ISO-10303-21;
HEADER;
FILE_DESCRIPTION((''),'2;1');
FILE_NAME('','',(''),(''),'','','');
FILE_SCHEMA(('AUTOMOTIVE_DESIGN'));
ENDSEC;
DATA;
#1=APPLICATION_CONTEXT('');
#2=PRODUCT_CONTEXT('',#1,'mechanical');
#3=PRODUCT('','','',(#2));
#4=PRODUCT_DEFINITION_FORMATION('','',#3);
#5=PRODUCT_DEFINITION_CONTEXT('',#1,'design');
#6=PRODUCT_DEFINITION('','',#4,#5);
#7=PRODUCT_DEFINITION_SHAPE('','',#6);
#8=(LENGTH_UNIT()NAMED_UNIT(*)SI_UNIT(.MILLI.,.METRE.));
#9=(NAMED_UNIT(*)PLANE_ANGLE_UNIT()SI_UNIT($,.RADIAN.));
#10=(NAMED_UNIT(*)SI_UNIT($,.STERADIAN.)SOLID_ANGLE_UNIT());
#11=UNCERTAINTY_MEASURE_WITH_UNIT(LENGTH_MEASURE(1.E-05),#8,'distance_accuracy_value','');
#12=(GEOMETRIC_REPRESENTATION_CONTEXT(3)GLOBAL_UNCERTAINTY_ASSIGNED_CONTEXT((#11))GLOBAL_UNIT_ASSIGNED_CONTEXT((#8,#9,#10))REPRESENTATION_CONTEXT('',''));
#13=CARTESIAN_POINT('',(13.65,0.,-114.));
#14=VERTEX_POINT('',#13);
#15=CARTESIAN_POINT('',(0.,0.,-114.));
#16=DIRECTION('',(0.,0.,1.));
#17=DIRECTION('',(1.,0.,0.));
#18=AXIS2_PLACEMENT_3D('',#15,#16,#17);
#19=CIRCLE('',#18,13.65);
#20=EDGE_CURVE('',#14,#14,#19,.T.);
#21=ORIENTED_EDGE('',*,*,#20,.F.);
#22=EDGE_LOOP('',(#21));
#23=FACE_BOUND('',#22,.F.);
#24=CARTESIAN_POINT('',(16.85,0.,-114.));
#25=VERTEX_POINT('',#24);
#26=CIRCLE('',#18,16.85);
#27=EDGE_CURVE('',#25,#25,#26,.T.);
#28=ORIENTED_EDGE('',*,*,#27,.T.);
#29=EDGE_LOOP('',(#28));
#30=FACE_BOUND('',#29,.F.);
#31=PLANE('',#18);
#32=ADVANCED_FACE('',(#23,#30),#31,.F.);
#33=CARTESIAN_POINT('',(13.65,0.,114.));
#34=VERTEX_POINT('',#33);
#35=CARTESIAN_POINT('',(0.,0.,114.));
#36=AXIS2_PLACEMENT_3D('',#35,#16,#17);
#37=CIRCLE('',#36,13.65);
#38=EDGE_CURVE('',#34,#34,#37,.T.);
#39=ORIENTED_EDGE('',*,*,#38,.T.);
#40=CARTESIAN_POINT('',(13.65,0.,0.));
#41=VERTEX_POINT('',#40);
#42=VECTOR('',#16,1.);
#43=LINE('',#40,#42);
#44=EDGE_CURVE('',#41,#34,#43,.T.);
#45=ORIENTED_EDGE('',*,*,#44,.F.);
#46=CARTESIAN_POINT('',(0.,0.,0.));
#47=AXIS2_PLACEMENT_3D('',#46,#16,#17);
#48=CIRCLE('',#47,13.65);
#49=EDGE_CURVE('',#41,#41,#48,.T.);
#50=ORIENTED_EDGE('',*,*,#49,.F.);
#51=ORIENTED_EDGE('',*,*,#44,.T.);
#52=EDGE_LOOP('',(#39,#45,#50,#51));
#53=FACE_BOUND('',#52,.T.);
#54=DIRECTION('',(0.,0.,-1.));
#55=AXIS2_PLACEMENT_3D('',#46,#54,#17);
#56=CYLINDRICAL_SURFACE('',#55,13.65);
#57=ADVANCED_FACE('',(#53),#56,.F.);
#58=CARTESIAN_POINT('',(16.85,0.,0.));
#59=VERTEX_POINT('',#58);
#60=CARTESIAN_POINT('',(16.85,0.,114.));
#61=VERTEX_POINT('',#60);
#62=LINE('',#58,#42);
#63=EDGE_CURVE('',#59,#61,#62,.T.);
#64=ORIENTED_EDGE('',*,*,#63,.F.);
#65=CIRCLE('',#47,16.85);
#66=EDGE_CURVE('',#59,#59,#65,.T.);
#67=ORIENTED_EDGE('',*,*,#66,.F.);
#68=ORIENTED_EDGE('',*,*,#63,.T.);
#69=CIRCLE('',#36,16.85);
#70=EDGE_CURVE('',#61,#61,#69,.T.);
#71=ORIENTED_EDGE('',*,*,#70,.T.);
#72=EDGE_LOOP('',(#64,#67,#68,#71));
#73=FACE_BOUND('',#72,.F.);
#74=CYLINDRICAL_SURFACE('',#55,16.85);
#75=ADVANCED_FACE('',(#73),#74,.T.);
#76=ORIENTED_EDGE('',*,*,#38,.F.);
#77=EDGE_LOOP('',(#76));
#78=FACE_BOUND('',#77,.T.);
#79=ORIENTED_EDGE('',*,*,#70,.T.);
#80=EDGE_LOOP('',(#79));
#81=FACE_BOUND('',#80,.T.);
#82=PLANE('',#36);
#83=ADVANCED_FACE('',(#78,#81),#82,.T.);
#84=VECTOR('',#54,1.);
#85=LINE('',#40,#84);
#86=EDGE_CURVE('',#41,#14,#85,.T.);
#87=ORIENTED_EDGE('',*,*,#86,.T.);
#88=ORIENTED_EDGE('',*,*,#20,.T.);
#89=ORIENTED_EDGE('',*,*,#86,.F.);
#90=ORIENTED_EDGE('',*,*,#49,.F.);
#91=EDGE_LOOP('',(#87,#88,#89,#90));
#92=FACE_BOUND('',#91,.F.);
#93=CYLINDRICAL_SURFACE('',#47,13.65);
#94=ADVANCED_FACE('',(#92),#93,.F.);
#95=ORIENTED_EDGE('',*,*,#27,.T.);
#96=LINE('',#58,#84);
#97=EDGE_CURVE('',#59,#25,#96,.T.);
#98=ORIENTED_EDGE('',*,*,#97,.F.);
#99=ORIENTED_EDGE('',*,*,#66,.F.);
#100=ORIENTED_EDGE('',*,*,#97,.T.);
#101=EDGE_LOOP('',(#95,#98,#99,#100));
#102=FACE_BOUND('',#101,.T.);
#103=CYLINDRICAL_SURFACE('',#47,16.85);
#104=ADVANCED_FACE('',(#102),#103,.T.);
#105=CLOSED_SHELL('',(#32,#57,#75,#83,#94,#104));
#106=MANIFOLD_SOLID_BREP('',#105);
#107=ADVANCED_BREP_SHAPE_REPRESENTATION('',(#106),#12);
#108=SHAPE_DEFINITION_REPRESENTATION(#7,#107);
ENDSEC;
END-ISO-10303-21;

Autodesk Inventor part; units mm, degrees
ref_plane "YZ Plane" through (0, 0, 0) normal (1, 0, 0) x (0, 1, 0)
ref_plane "XZ Plane" through (0, 0, 0) normal (0, 1, 0) x (-1, 0, 0)
ref_plane "XY Plane" through (0, 0, 0) normal (0, 0, 1) x (1, 0, 0)
sketch "Sketch1" plane through (0, 0, 0) normal (0, 0, 1) x (1, 0, 0)
  circle A0 centre (0, 0) radius 16.85
  circle A1 centre (0, 0) radius 13.65
  dimension "OD" = 33.7
  dimension "t" = 3.2
extrude "Extrusion1" add sketch "Sketch1" along normal mid plane 228
equation "\"size\" = 6"
properties part number "SSP" material "Aluminium 6082 T6"
